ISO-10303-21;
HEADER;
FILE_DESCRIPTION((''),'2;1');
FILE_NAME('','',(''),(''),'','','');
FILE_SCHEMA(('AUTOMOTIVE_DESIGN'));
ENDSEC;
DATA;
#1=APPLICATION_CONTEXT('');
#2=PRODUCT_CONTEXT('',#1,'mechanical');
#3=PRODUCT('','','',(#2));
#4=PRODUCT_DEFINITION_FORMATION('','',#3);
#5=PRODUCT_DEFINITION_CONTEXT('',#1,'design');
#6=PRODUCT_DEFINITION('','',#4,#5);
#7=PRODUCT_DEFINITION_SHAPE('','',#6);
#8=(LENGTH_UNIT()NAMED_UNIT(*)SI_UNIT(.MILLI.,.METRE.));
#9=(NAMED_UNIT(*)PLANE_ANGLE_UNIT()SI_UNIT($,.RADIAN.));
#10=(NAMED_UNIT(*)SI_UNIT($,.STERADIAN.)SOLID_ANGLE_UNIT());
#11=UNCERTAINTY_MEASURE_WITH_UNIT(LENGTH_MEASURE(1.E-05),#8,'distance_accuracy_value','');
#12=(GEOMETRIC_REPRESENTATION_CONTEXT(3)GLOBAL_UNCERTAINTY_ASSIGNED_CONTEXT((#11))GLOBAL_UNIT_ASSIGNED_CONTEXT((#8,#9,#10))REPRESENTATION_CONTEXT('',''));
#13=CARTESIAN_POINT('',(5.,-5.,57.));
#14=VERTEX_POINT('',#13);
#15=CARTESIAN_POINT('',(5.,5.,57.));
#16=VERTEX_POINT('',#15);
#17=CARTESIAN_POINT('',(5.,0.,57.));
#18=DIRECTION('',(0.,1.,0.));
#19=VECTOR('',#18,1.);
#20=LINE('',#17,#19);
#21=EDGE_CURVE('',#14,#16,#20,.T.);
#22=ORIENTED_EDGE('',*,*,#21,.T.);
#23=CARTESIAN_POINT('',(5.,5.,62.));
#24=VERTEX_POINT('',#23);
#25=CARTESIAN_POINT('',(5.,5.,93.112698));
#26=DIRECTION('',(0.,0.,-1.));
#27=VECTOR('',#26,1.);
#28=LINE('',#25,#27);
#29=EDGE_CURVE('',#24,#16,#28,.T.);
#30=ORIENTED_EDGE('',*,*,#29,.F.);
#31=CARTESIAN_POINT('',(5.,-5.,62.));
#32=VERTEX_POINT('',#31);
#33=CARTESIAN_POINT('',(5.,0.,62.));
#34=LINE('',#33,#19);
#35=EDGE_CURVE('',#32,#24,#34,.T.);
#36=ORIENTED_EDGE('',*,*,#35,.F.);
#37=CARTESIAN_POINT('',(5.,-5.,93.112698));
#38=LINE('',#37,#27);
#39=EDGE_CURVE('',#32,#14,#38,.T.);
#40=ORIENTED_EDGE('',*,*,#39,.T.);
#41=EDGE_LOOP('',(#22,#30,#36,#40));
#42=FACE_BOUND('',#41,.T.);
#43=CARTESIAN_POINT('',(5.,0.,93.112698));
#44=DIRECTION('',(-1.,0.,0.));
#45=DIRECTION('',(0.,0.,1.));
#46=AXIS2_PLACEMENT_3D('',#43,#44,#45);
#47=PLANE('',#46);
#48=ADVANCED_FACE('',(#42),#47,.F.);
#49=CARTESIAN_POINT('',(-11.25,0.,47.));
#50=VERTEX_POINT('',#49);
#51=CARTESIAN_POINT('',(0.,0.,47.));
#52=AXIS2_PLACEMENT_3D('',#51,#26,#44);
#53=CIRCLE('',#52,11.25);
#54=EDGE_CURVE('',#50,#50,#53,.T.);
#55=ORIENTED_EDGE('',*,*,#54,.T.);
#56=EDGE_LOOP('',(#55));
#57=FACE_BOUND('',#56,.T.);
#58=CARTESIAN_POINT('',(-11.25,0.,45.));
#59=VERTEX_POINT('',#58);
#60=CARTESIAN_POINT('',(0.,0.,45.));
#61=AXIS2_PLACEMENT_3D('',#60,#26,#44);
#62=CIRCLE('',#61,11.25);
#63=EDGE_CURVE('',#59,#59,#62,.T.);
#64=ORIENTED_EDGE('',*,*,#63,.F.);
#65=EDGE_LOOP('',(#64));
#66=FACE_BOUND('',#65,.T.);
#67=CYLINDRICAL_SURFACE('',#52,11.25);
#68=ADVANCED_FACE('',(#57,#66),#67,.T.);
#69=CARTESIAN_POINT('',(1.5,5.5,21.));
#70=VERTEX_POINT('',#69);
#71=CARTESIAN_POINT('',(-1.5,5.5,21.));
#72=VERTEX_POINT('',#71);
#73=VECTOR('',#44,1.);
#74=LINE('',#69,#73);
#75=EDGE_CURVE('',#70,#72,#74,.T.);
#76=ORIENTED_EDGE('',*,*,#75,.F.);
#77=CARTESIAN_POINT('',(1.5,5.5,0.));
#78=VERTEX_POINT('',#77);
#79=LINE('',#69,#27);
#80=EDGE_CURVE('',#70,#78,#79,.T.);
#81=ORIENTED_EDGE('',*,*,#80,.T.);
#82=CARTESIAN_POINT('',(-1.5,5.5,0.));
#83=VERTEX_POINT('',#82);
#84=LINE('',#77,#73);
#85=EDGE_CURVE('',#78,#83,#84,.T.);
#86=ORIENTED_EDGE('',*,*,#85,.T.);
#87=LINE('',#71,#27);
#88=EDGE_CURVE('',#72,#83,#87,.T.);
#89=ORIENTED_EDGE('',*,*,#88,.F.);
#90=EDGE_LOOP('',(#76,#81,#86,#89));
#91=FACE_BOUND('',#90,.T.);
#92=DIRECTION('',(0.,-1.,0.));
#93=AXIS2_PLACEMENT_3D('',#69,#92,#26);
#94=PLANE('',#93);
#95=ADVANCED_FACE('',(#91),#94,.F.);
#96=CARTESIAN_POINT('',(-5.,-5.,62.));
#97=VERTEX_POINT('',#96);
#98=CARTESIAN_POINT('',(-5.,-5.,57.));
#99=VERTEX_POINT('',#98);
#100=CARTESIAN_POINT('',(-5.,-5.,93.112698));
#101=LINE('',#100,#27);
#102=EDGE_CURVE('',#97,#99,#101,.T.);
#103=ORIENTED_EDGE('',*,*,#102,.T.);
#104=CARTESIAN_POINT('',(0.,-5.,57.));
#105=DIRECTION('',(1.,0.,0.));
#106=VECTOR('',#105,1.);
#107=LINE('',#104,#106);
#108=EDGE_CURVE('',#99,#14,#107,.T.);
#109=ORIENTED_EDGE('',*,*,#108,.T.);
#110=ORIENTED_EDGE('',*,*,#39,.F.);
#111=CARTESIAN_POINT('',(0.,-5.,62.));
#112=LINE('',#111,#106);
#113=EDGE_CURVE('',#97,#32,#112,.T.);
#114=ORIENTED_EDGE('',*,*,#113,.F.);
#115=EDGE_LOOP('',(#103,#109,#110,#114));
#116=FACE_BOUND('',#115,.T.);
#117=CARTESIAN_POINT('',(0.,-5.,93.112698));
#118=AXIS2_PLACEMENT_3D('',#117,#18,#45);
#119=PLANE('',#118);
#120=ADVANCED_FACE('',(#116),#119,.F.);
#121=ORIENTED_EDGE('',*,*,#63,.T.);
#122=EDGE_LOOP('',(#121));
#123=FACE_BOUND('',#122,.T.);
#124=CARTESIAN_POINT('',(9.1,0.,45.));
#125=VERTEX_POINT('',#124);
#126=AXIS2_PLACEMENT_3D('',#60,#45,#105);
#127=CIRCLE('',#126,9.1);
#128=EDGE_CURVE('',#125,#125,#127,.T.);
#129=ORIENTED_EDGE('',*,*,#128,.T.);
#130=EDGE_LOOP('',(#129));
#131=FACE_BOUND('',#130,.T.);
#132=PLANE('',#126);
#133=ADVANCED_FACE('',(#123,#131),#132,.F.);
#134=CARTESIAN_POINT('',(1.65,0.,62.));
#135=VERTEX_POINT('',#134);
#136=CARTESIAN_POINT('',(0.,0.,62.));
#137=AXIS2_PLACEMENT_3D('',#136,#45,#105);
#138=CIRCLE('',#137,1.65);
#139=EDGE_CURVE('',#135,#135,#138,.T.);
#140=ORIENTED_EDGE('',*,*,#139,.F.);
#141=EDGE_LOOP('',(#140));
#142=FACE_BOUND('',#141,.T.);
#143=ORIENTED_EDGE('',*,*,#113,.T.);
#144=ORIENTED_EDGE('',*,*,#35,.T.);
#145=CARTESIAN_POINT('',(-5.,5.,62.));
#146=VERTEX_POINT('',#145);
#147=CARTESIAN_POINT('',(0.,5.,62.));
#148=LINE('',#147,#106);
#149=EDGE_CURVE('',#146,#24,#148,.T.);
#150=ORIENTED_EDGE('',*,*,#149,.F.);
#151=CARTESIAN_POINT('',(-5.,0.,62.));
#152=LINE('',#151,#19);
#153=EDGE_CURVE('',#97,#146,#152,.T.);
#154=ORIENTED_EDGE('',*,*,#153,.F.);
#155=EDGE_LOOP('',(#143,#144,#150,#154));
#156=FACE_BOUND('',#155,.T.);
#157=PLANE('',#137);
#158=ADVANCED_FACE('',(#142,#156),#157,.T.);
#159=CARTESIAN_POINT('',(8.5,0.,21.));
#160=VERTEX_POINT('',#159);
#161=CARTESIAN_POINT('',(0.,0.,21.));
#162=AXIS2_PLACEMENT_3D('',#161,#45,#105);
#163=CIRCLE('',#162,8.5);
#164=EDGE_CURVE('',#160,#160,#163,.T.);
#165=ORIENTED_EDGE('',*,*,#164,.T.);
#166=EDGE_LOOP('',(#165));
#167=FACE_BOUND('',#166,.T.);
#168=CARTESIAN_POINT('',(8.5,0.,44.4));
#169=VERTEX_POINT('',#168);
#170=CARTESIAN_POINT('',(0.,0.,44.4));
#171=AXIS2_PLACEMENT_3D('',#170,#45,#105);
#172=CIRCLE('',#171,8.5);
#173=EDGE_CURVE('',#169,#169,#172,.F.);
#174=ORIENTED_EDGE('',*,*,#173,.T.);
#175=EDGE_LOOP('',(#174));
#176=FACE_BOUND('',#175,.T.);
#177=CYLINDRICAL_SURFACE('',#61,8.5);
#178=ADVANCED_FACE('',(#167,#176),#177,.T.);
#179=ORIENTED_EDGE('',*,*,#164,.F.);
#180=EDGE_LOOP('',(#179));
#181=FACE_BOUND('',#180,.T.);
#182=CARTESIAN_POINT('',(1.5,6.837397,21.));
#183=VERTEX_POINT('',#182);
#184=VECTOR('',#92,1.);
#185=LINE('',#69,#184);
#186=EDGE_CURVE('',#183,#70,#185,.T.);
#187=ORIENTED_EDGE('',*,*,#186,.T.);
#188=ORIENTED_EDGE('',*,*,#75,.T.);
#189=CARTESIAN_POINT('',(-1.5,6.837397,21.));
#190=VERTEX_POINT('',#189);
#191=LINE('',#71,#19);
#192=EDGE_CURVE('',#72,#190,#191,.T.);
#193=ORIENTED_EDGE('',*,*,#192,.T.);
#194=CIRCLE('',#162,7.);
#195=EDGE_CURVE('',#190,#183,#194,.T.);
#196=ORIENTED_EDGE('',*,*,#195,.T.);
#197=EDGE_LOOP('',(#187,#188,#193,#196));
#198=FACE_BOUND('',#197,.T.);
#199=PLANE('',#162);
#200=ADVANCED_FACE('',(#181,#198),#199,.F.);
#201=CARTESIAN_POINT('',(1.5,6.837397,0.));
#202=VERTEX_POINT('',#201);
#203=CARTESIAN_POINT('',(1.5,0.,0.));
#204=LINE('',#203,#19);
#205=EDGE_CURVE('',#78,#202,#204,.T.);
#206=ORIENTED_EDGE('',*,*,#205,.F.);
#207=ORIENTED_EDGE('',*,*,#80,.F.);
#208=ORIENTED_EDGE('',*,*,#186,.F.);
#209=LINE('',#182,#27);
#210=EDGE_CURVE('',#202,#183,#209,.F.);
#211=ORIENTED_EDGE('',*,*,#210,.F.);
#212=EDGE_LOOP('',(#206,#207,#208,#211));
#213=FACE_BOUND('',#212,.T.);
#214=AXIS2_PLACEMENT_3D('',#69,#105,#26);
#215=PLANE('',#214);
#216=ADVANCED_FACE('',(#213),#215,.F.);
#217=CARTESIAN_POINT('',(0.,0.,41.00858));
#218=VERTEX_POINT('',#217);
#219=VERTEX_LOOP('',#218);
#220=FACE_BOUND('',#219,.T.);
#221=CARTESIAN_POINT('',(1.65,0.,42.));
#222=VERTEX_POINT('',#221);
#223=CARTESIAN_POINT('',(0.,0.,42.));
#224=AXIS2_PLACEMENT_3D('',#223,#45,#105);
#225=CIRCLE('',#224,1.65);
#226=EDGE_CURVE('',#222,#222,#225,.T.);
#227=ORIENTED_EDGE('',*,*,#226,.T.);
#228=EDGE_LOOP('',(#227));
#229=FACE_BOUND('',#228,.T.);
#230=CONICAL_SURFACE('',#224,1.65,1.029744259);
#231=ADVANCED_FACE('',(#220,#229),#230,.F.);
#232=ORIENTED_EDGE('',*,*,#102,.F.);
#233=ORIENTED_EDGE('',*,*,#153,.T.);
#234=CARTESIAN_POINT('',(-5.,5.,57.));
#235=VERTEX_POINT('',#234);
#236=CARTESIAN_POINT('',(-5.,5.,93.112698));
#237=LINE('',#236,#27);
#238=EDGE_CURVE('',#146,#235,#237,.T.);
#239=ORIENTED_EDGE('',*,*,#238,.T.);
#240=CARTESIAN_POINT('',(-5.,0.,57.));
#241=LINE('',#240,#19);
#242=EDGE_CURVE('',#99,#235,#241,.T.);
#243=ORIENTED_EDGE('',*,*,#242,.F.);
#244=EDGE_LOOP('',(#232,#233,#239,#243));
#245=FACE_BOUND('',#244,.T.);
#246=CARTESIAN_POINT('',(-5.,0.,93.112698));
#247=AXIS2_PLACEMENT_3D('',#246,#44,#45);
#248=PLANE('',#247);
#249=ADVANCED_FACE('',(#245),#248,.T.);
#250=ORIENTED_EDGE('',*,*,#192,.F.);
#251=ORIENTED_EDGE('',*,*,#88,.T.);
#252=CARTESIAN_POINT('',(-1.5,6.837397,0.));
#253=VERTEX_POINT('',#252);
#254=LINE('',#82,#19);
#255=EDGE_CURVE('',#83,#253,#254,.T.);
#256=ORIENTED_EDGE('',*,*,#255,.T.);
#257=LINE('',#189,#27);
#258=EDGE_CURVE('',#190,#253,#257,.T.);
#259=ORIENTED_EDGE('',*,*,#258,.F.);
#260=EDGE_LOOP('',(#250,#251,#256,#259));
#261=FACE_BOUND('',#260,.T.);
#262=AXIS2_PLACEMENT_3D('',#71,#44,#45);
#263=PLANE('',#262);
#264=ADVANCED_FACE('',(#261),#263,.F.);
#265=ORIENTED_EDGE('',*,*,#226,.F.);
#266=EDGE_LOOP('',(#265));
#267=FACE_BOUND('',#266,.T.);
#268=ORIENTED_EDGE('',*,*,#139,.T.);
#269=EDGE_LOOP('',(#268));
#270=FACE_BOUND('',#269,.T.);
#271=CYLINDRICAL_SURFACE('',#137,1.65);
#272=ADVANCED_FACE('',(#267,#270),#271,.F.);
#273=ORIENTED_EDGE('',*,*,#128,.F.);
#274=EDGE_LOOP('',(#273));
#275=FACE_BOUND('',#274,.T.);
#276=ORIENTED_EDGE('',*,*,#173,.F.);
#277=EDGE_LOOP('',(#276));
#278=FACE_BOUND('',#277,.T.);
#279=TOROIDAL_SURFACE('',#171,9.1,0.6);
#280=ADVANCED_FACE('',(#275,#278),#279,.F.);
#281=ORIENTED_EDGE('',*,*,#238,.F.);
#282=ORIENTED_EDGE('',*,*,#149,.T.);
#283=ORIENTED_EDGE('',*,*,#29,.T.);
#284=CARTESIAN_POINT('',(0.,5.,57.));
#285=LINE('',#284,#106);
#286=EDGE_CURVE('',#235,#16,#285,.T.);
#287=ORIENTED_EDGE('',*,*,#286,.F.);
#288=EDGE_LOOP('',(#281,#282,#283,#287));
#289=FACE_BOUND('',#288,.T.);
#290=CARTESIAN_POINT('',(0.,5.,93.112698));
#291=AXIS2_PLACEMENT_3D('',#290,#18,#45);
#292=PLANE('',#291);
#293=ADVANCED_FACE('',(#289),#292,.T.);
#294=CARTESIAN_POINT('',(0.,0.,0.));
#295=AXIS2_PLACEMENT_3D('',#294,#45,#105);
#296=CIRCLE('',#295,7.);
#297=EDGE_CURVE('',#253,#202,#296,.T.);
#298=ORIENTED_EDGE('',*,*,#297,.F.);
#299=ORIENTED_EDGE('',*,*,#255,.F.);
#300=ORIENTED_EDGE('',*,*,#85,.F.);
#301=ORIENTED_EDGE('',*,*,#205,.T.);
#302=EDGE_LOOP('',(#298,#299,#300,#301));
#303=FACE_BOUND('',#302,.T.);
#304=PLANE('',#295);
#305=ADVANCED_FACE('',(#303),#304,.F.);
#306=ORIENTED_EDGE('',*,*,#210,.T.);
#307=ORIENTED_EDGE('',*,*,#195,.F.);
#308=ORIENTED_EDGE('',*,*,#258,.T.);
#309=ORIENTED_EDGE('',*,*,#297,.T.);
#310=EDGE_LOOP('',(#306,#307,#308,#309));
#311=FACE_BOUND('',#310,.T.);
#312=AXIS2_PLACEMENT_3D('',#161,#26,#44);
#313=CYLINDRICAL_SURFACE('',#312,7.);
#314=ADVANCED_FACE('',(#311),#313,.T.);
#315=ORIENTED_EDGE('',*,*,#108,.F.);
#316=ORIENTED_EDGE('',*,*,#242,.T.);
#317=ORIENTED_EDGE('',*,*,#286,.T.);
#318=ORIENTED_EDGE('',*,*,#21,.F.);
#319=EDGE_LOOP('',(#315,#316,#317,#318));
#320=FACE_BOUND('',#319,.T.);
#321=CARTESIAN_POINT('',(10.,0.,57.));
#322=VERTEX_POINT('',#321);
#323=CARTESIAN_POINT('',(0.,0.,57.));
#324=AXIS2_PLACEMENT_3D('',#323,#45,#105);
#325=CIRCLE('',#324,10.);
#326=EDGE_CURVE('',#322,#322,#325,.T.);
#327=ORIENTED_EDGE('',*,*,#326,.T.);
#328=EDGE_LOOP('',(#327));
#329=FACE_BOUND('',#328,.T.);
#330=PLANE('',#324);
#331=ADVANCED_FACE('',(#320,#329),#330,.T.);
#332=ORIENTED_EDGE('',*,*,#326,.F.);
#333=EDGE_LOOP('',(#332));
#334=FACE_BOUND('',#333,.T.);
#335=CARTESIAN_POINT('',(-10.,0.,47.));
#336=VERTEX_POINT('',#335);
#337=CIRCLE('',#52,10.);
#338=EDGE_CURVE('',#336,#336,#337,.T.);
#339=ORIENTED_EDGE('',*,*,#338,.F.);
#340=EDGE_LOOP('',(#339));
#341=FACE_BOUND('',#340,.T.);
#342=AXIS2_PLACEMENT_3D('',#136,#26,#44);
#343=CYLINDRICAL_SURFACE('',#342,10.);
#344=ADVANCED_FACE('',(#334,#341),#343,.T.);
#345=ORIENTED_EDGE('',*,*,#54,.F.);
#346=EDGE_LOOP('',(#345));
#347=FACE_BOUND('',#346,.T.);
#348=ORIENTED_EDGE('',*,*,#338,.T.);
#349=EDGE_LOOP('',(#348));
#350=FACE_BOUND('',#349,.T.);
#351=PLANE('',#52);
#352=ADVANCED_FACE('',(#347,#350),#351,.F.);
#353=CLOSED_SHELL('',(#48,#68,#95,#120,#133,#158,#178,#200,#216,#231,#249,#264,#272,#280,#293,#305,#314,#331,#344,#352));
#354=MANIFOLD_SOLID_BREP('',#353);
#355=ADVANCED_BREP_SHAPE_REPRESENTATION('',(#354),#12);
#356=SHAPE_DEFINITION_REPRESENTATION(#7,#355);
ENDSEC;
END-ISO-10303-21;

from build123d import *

# Parameters (mm, degrees)
SKETCH1_R                 = 7
BOSS_EXTRUDE1_DEPTH       = 21
SKETCH3_W                 = 3
SKETCH3_H                 = 3
CUT_EXTRUDE1_DEPTH        = 21
SKETCH6_R                 = 8.5
BOSS_EXTRUDE2_DEPTH       = 24
SKETCH7_R                 = 10
BOSS_EXTRUDE3_DEPTH       = 17
FILLET1_R                 = 0.6
SKETCH8_R                 = 11.25
BOSS_EXTRUDE4_DEPTH       = 2
SKETCH10_R                = 11
SKETCH10_W                = 10
SKETCH10_H                = 10
CUT_EXTRUDE2_DEPTH        = 5
M4X0_7_TAPPED_HOLE1_D     = 3.3
M4X0_7_TAPPED_HOLE1_DEPTH = 20
M4X0_7_TAPPED_HOLE1_TIP   = 0.991420021


with BuildPart() as part:
    # Sketch1 → Boss-Extrude1 (new body)
    with BuildSketch(Plane.XY):
        Circle(SKETCH1_R)
    extrude(amount=BOSS_EXTRUDE1_DEPTH)

    # Sketch3 → Cut-Extrude1 (cut)
    with BuildSketch(Plane(origin=(0, 0, 0), x_dir=(-1, 0, 0), z_dir=(0, 0, -1))):
        with Locations((0, 7)):
            Rectangle(SKETCH3_W, SKETCH3_H)
    extrude(amount=-CUT_EXTRUDE1_DEPTH, mode=Mode.SUBTRACT)

    # Sketch6 → Boss-Extrude2 (add)
    with BuildSketch(Plane.XY.offset(21)):
        Circle(SKETCH6_R)
    extrude(amount=BOSS_EXTRUDE2_DEPTH)

    # Sketch7 → Boss-Extrude3 (add)
    with BuildSketch(Plane.XY.offset(45)):
        Circle(SKETCH7_R)
    extrude(amount=BOSS_EXTRUDE3_DEPTH)

    # Fillet1
    fillet1_edges = [part.edges().sort_by_distance(p)[0] for p in [
        (-8.5, 0, 45),
    ]]
    fillet(fillet1_edges, radius=FILLET1_R)

    # Sketch8 → Boss-Extrude4 (add)
    with BuildSketch(Plane(origin=(0, 0, 45), x_dir=(-1, 0, 0), z_dir=(0, 0, -1))):
        Circle(SKETCH8_R)
    extrude(amount=-BOSS_EXTRUDE4_DEPTH)

    # Sketch10 → Cut-Extrude2 (cut)
    with BuildSketch(Plane.XY.offset(57)):
        Circle(SKETCH10_R)
        Rectangle(SKETCH10_W, SKETCH10_H, mode=Mode.SUBTRACT)
    extrude(amount=CUT_EXTRUDE2_DEPTH, mode=Mode.SUBTRACT)

    # M4x0.7 Tapped Hole1
    with Locations(Plane.XY.offset(62)):
        with Locations((0, 0)):
            Hole(M4X0_7_TAPPED_HOLE1_D / 2, depth=M4X0_7_TAPPED_HOLE1_DEPTH)
            with Locations((0, 0, -(M4X0_7_TAPPED_HOLE1_DEPTH + M4X0_7_TAPPED_HOLE1_TIP / 2))):  # 118° drill point
                Cone(0, M4X0_7_TAPPED_HOLE1_D / 2, M4X0_7_TAPPED_HOLE1_TIP, mode=Mode.SUBTRACT)


solid = part.part
